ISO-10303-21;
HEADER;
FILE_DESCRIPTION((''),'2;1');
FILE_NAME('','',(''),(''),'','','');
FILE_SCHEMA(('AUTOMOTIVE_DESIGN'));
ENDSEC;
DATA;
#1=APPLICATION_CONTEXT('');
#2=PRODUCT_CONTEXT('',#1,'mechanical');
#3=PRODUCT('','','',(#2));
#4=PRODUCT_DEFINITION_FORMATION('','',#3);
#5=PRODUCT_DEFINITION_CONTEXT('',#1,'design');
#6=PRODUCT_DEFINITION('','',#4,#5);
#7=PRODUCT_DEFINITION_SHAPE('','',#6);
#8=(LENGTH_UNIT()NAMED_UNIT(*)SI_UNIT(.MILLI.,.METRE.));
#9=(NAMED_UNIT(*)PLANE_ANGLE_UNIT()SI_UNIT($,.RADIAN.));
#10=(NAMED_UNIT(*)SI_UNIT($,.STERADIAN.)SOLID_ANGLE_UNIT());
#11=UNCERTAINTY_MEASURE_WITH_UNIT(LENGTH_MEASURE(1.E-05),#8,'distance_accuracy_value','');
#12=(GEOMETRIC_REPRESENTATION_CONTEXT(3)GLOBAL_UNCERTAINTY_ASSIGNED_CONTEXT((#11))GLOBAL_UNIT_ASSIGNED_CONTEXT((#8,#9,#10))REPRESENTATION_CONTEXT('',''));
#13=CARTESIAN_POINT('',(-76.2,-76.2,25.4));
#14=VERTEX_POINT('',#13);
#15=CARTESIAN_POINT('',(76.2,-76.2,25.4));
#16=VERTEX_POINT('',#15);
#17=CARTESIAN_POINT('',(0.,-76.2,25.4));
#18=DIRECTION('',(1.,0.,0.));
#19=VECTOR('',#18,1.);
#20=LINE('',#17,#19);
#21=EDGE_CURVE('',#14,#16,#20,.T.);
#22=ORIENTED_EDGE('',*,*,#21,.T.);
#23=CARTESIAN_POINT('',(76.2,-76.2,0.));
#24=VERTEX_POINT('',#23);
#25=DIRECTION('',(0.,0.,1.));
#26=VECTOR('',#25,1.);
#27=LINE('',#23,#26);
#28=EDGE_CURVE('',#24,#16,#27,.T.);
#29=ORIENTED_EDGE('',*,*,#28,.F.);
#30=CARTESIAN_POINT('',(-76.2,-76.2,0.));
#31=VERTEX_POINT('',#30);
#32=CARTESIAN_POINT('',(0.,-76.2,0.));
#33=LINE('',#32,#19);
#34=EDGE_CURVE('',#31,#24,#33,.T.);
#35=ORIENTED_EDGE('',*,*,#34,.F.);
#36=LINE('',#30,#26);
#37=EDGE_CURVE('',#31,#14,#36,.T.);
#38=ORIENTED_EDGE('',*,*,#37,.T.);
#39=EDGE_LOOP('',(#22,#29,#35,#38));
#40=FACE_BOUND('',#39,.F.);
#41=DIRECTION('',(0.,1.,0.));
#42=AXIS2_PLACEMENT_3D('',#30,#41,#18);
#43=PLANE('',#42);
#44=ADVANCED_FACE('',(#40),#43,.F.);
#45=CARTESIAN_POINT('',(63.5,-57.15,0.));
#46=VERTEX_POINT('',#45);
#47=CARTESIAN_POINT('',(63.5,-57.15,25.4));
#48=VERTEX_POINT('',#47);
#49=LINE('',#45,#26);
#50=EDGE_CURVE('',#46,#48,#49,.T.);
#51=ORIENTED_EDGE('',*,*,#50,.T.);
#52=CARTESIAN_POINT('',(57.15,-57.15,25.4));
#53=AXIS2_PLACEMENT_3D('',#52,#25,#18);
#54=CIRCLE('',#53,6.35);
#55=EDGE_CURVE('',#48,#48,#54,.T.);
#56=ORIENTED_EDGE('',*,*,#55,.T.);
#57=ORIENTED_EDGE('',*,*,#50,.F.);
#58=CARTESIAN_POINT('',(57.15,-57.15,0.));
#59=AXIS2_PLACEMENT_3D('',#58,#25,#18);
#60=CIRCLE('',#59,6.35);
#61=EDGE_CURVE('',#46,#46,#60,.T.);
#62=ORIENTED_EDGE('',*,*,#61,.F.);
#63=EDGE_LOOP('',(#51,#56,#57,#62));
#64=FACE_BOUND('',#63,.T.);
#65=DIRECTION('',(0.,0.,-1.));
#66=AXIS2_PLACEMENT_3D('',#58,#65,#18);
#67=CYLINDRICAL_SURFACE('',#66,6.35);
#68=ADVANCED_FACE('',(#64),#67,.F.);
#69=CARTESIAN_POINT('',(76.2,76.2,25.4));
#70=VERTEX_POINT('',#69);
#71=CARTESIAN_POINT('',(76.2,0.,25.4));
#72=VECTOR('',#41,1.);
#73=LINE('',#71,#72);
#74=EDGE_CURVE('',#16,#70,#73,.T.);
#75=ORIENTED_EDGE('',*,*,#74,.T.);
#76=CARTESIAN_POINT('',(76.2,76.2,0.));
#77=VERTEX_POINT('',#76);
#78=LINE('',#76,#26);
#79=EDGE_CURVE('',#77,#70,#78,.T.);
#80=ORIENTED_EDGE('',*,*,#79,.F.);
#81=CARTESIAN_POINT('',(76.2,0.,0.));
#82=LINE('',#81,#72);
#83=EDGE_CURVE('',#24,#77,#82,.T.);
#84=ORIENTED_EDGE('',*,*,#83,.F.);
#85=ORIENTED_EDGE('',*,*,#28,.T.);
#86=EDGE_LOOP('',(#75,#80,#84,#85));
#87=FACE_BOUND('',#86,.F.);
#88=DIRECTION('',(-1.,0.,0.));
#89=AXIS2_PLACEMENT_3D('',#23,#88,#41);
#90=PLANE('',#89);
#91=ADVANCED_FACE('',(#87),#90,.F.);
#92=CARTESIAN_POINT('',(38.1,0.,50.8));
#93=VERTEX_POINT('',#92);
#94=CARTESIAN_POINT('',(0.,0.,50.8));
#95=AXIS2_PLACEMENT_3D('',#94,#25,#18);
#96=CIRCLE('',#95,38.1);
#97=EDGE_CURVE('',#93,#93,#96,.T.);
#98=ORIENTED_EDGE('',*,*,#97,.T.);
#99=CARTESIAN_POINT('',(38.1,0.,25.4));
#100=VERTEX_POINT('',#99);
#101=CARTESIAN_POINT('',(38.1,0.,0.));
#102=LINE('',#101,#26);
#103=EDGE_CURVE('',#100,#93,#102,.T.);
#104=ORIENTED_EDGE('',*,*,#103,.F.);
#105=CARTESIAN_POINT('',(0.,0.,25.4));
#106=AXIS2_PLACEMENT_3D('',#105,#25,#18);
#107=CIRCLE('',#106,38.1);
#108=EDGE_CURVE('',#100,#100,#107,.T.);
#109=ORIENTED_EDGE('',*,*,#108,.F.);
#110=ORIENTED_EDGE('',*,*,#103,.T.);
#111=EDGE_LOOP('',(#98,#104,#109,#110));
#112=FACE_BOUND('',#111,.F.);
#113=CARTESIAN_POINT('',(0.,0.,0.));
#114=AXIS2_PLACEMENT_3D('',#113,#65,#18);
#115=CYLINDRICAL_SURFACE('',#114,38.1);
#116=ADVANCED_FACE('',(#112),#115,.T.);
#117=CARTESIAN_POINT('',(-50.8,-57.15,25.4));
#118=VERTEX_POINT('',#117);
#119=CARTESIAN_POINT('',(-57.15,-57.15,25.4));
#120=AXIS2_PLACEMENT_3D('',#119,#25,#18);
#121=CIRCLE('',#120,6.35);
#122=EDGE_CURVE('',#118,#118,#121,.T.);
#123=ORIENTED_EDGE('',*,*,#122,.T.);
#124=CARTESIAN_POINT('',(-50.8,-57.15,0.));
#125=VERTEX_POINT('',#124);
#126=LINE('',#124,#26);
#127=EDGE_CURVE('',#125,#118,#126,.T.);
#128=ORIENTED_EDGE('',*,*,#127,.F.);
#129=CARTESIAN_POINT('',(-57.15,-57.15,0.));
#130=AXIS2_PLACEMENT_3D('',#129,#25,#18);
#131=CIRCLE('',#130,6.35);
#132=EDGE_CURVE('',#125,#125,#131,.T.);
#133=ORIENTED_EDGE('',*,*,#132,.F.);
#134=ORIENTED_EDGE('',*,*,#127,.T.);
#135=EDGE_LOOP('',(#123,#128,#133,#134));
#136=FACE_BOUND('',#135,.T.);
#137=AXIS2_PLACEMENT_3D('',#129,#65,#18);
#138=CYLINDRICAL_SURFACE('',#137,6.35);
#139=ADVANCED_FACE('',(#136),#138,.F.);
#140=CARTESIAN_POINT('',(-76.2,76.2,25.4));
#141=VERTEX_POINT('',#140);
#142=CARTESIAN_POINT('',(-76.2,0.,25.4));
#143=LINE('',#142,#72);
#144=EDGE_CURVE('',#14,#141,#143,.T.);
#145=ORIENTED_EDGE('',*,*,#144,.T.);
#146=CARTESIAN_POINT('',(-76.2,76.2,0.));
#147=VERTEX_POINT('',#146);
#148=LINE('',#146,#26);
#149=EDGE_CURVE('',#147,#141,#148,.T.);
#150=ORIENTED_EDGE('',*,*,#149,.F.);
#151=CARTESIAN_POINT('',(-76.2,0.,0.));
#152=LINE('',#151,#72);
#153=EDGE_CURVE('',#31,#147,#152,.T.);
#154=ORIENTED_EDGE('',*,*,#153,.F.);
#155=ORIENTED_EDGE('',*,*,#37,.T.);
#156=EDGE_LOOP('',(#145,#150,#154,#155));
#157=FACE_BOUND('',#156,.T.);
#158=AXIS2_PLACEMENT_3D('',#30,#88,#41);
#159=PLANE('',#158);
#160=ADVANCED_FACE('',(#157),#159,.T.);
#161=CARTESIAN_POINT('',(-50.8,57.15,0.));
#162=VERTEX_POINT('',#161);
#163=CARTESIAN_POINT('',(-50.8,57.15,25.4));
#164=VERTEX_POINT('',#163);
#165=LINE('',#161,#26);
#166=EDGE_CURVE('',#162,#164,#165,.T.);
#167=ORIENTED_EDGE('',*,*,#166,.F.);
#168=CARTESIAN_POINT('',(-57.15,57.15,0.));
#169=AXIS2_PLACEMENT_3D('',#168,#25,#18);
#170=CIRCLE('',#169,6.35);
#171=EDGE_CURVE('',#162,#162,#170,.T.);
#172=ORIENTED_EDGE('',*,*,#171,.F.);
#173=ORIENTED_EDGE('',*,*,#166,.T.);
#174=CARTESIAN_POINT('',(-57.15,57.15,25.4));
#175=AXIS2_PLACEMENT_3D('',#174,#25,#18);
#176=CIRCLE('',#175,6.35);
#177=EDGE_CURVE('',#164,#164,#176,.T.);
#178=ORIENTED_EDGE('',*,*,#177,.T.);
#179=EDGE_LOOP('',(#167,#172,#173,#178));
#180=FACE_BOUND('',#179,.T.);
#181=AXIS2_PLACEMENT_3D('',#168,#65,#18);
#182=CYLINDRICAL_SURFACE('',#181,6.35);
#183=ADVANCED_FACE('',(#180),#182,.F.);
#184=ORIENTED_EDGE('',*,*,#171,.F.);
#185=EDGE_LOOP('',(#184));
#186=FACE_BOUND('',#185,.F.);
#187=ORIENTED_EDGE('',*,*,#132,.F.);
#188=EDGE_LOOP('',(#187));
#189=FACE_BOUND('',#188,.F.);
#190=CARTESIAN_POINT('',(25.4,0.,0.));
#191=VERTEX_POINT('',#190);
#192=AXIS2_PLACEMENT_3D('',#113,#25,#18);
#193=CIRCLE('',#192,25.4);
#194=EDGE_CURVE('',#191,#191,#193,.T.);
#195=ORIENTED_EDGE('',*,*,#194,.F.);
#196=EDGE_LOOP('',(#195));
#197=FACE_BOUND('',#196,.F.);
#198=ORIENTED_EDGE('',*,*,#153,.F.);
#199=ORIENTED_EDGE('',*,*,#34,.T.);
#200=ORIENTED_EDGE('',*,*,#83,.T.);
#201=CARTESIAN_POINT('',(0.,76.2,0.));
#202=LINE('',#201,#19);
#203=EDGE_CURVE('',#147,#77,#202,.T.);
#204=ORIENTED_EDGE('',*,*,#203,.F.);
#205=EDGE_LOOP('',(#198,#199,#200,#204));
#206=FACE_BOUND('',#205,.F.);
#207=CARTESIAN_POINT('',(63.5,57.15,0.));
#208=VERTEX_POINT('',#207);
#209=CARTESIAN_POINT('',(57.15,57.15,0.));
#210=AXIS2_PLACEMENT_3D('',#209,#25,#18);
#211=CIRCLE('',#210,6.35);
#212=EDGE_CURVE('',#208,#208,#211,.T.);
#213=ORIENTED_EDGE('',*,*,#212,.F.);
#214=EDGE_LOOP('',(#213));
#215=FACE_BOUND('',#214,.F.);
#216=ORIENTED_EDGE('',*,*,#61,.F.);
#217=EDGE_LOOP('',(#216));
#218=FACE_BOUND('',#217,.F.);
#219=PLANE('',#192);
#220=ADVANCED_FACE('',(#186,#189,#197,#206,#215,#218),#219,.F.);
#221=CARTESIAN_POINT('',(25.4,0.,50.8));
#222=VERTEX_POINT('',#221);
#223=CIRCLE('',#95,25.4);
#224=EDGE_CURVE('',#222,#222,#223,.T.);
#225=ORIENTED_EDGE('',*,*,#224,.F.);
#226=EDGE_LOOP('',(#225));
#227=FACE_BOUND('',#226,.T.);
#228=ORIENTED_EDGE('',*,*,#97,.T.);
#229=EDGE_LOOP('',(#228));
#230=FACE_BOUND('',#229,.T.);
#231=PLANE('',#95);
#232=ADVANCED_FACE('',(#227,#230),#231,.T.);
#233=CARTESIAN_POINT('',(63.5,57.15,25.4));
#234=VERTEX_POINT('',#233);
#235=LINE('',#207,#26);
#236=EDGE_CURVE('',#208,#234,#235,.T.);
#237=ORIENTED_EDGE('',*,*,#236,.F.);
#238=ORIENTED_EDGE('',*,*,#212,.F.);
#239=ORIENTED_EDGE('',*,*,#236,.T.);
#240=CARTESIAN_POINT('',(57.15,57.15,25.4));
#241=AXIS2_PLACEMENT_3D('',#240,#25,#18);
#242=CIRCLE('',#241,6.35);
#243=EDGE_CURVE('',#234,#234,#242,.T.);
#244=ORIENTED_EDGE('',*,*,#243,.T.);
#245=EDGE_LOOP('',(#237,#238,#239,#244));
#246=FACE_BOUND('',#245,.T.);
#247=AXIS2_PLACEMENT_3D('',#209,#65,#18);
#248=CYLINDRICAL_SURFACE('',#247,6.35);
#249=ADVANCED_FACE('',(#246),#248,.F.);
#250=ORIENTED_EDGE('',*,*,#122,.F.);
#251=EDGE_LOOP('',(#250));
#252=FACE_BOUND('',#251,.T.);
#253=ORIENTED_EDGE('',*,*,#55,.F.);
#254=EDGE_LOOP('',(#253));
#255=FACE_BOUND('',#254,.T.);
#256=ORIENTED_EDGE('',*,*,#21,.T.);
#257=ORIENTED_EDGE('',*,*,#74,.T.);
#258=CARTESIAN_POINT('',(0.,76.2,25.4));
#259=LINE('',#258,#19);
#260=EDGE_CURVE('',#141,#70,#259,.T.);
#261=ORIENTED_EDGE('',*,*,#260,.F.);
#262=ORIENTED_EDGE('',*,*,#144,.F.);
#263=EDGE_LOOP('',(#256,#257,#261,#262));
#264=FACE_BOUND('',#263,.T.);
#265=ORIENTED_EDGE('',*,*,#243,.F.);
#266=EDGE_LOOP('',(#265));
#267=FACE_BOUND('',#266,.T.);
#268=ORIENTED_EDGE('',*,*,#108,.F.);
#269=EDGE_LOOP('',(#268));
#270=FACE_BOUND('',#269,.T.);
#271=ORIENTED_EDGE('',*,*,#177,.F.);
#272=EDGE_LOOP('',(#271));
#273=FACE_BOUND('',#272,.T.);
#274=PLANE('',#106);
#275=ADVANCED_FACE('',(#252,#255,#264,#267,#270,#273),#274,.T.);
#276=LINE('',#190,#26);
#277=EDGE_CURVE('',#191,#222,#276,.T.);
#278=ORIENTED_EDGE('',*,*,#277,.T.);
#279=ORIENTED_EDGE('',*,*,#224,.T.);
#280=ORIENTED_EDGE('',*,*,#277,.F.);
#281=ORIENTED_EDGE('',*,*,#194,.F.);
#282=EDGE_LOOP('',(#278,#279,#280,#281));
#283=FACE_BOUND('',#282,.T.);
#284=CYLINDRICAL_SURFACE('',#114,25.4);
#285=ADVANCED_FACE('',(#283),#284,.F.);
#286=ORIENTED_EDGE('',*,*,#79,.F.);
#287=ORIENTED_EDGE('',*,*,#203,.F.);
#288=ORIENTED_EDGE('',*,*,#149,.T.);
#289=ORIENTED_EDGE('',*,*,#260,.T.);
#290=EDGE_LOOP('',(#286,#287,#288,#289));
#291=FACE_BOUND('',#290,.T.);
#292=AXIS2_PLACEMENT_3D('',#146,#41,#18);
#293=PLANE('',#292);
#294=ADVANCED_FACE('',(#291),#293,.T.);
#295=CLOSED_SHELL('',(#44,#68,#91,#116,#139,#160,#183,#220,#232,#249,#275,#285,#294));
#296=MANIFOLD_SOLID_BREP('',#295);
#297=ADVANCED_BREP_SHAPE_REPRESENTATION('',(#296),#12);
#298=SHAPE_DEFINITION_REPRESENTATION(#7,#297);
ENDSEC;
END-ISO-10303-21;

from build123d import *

# Parameters (mm, degrees)
F0_W     = 152.4
F0_H     = 152.4
F0_R     = 6.35
F0_R_2   = 38.1
F1_DEPTH = 25.4
F0_R_3   = 25.4
F2_DEPTH = 50.8


with BuildPart() as f1:
    # F0 (on Top) → F1 (new body)
    with BuildSketch(Plane.XY):
        Rectangle(F0_W, F0_H)
        with Locations((-57.15, -57.15)):
            Circle(F0_R, mode=Mode.SUBTRACT)
        with Locations((57.15, -57.15)):
            Circle(F0_R, mode=Mode.SUBTRACT)
        with Locations((-57.15, 57.15)):
            Circle(F0_R, mode=Mode.SUBTRACT)
        Circle(F0_R_2, mode=Mode.SUBTRACT)
        with Locations((57.15, 57.15)):
            Circle(F0_R, mode=Mode.SUBTRACT)
    extrude(amount=F1_DEPTH)

    # F0 (on Top) → F2 (join)
    with BuildSketch(Plane.XY):
        Circle(F0_R_2)
        Circle(F0_R_3, mode=Mode.SUBTRACT)
    extrude(amount=F2_DEPTH)


solid = f1.part
